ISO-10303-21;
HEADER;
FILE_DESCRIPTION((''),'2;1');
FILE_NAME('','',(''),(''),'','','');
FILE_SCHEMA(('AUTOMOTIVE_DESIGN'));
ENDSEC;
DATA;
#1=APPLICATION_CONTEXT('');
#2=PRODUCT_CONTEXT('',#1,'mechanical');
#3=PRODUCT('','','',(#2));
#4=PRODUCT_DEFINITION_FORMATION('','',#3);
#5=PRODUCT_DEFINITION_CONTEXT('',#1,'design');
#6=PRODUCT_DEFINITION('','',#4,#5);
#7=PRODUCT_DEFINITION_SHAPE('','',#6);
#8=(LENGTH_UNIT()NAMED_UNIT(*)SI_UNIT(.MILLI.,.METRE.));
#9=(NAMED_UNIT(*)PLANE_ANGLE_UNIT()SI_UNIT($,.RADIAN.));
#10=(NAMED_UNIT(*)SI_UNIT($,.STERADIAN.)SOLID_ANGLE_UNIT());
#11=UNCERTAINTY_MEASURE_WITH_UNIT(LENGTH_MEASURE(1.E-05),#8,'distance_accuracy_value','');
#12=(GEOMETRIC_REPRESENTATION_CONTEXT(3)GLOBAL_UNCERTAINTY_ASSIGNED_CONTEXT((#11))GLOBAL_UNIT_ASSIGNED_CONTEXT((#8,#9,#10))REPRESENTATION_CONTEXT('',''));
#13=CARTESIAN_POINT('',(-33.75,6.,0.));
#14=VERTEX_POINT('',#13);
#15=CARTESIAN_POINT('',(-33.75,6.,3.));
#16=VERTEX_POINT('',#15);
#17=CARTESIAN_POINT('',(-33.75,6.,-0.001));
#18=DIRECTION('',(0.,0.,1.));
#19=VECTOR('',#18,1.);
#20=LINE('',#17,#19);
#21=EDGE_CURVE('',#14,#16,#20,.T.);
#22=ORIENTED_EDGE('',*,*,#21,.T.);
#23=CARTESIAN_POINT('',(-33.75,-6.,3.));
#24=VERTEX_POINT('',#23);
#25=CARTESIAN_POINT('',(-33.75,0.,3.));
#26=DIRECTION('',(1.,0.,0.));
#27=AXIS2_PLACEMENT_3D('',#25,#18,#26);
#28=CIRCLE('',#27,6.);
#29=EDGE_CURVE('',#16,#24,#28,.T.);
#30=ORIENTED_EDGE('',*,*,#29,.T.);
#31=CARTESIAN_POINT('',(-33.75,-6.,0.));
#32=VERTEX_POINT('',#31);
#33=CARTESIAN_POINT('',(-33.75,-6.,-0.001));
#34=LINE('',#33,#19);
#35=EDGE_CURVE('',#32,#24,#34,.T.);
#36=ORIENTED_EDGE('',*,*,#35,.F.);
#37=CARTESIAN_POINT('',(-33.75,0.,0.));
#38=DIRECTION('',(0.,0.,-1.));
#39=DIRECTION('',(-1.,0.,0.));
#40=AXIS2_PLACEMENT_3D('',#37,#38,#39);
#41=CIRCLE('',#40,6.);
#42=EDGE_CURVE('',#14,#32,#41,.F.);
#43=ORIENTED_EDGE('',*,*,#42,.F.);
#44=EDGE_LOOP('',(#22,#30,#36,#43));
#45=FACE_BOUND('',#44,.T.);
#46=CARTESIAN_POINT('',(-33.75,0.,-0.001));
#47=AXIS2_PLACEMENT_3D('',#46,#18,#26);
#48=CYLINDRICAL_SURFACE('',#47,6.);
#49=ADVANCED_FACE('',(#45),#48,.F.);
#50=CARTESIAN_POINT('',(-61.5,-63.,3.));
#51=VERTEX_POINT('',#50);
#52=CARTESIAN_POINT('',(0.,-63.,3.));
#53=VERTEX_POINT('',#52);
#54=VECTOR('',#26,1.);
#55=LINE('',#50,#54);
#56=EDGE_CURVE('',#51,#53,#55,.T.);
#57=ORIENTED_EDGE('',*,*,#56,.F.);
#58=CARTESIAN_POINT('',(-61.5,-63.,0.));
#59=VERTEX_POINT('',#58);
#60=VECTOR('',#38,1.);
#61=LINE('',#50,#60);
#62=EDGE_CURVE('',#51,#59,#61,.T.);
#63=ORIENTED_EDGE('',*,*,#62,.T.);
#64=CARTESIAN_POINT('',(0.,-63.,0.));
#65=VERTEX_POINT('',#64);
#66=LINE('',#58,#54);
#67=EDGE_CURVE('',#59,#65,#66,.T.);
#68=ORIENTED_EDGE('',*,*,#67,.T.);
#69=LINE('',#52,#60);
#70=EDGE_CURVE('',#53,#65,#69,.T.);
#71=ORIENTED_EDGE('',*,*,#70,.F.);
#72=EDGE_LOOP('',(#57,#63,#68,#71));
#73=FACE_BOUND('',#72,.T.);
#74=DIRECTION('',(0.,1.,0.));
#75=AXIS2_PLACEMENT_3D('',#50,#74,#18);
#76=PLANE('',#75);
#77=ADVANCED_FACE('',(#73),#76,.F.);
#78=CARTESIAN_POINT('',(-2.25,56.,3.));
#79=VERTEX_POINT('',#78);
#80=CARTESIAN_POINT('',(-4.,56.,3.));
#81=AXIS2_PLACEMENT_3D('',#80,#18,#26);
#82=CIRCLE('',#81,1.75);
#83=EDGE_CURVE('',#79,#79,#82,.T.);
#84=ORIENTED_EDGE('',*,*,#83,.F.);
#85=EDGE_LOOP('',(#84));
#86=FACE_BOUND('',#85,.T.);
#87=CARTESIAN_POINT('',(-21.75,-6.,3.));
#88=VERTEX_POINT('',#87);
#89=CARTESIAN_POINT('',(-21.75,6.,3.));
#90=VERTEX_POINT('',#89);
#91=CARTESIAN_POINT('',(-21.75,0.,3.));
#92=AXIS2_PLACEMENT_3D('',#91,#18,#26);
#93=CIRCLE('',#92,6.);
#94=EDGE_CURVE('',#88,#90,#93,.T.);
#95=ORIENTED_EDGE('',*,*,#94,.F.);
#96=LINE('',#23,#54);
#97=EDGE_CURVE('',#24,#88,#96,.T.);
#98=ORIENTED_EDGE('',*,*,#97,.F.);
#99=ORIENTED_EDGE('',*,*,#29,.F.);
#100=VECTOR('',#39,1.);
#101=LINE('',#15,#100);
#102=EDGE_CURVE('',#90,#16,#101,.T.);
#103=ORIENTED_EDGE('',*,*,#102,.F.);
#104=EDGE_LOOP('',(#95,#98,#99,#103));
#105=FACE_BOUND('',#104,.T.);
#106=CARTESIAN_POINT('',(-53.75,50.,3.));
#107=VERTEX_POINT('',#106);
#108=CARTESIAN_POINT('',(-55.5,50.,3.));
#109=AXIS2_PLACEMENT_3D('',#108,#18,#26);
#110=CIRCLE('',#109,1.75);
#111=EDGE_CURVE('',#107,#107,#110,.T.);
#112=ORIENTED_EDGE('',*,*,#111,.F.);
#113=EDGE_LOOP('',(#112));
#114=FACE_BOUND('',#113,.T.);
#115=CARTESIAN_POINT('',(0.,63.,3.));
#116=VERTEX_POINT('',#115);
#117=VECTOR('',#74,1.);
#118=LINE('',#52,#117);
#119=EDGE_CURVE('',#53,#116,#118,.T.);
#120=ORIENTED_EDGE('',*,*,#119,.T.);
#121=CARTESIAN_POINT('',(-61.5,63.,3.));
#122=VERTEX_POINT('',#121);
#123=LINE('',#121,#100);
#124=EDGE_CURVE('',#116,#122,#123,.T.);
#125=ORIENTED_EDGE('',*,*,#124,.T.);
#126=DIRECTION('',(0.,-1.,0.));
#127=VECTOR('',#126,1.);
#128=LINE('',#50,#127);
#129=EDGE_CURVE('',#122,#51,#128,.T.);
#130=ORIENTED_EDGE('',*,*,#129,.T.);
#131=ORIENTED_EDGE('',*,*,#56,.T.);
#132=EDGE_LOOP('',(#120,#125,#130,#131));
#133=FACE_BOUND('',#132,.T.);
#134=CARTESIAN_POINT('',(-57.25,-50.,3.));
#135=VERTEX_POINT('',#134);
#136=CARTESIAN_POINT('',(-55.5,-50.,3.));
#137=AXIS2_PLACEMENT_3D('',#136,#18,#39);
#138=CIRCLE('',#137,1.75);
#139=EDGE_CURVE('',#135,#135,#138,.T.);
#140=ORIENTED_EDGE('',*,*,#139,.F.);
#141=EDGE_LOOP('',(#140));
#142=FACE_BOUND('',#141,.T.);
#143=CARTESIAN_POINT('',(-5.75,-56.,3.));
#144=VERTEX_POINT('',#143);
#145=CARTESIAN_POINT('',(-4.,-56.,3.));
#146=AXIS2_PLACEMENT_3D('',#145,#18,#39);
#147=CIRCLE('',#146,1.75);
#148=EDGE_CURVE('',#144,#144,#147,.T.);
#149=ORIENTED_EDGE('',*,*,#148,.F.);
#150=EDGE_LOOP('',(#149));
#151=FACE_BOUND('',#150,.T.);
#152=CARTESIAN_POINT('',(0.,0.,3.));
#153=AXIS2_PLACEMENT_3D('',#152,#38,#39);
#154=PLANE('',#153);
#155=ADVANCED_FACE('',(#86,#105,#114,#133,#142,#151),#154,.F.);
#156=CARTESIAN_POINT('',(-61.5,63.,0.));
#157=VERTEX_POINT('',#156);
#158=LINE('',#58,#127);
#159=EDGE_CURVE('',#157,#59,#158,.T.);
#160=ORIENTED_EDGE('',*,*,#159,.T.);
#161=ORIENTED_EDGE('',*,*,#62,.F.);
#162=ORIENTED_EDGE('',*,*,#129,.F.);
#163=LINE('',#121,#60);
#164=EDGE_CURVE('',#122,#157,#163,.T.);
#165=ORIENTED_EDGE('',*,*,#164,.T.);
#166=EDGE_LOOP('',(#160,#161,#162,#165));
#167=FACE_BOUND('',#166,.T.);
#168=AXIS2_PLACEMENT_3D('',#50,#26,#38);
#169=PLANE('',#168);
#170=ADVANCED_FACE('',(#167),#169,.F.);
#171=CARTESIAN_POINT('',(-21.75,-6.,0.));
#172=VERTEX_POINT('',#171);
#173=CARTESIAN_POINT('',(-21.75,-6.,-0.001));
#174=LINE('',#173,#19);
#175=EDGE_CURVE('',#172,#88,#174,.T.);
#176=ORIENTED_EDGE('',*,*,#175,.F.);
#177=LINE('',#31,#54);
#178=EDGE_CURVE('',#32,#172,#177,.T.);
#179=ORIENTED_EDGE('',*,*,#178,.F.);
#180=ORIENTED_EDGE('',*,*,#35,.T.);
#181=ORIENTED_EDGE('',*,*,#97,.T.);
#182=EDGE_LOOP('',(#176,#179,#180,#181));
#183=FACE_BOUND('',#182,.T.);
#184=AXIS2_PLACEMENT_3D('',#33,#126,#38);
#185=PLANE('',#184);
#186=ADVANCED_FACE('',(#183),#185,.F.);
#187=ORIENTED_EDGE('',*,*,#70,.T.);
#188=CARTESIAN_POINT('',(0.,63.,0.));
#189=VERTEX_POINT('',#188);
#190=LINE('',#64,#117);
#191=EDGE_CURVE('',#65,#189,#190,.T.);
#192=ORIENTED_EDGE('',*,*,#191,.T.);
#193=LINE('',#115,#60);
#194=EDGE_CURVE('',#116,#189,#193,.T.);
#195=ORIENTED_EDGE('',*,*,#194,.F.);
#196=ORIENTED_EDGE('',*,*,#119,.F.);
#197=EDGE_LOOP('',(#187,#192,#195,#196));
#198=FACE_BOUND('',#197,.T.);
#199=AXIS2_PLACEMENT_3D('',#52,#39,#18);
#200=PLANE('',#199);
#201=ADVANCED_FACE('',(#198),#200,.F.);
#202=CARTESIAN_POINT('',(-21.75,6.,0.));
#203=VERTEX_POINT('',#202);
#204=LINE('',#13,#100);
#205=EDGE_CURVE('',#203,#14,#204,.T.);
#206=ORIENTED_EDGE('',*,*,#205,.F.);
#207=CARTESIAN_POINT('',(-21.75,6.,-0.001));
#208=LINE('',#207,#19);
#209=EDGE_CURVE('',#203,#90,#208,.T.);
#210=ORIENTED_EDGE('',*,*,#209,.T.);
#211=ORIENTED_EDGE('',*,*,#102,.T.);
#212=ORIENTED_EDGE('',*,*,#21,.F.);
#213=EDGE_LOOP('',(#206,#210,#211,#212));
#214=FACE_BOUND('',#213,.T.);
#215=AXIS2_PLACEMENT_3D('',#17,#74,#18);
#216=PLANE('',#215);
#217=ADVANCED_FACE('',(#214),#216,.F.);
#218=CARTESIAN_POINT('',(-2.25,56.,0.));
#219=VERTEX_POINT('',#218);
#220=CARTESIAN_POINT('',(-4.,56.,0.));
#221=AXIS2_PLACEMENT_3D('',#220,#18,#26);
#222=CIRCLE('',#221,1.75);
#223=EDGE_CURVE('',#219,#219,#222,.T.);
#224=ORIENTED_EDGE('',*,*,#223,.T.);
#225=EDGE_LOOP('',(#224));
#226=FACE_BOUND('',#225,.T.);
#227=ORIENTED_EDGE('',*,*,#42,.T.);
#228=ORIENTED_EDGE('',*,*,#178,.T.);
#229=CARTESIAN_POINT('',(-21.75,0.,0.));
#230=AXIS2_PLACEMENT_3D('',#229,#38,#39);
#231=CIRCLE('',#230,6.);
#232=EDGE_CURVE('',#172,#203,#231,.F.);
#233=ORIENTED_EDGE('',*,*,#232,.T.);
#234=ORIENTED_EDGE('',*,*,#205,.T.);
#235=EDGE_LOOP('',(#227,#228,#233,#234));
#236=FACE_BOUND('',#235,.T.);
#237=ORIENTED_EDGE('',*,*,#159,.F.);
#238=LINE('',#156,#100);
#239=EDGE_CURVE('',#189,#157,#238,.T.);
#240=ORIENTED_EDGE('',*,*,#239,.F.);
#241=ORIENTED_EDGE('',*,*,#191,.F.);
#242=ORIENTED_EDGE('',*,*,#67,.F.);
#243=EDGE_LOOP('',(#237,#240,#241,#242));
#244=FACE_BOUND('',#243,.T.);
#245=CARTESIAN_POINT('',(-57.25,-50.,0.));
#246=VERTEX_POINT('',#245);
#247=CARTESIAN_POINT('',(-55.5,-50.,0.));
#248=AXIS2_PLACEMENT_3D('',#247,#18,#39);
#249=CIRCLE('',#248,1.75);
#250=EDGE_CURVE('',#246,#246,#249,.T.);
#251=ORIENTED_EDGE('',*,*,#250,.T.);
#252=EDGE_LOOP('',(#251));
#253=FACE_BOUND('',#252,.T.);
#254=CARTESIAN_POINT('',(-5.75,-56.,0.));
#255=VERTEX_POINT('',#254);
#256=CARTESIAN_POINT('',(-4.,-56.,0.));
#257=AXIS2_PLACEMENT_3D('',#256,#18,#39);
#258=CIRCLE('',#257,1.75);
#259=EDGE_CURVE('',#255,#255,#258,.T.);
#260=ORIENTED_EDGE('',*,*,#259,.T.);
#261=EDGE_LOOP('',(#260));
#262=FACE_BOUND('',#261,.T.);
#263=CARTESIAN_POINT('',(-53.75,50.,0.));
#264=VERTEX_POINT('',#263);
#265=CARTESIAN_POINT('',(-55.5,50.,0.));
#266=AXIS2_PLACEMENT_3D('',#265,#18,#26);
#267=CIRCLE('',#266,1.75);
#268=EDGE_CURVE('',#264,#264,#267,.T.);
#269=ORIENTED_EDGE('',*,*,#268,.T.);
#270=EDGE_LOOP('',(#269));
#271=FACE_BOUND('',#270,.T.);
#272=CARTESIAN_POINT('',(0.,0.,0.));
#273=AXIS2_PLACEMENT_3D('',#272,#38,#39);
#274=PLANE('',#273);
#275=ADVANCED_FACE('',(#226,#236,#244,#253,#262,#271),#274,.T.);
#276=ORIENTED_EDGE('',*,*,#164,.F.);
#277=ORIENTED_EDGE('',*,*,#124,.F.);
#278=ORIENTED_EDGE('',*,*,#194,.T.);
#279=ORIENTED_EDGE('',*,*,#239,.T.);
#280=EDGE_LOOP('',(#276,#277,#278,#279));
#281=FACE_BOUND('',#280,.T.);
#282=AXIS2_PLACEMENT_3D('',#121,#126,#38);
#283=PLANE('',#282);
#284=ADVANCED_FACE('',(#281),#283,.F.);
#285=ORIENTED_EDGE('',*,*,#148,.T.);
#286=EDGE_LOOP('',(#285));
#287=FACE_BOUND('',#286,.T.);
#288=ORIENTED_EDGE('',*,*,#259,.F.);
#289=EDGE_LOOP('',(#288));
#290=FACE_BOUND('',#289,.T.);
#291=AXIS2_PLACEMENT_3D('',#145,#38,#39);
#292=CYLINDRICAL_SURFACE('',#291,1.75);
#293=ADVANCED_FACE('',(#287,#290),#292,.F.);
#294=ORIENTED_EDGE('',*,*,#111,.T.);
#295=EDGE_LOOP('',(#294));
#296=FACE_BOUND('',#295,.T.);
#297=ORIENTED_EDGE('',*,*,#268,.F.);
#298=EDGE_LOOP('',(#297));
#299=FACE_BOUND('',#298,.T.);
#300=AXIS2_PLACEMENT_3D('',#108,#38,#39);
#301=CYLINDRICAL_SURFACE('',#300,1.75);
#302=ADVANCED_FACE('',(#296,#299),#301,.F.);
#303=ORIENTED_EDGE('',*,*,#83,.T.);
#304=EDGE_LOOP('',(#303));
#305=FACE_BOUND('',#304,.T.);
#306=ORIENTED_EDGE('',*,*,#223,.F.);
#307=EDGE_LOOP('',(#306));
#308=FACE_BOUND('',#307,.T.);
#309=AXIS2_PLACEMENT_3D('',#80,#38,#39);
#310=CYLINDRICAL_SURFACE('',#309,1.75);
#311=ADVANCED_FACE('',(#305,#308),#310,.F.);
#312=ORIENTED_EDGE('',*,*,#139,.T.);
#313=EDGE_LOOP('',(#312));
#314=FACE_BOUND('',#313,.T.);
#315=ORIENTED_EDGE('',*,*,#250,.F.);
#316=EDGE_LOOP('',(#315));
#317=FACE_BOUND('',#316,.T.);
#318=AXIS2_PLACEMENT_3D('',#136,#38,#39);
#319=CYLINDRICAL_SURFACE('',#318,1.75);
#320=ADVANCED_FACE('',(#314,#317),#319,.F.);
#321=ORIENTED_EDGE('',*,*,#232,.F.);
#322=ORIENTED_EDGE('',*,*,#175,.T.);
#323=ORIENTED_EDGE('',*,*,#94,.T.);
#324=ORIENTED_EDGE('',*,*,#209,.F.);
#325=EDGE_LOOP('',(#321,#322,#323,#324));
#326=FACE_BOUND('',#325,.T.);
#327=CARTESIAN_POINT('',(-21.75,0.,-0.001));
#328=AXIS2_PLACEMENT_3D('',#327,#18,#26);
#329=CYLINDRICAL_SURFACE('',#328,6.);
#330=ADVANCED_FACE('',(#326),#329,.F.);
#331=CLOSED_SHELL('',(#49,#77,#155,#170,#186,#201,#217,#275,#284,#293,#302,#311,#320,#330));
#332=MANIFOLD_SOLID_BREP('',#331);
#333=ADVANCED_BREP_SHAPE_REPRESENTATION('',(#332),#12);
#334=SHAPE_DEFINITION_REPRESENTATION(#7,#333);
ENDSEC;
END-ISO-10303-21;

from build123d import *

# Parameters (mm, degrees)
SKETCH1_W           = 61.5
SKETCH1_H           = 126
SKETCH1_R           = 1.75
BOSS_EXTRUDE1_DEPTH = 3
CUT_EXTRUDE1_REACH  = 90.092


with BuildPart() as part:
    # Sketch1 → Boss-Extrude1 (new body)
    with BuildSketch(Plane.XY):
        with Locations((-30.75, 0)):
            Rectangle(SKETCH1_W, SKETCH1_H)
        with Locations((-4, 56)):
            Circle(SKETCH1_R, mode=Mode.SUBTRACT)
        with Locations((-55.5, 50)):
            Circle(SKETCH1_R, mode=Mode.SUBTRACT)
        with Locations(Location((-4, -56, 0), (0, 0, 180))):
            Circle(SKETCH1_R, mode=Mode.SUBTRACT)
        with Locations(Location((-55.5, -50, 0), (0, 0, 180))):
            Circle(SKETCH1_R, mode=Mode.SUBTRACT)
    extrude(amount=BOSS_EXTRUDE1_DEPTH)

    # Sketch2 → Cut-Extrude1 (cut, up to next)
    with BuildSketch(Plane.XY.offset(3), mode=Mode.PRIVATE) as cut_extrude1_sk1:
        with BuildLine():
            Line((-33.75, 6), (-21.75, 6))
            ThreePointArc((-21.75, 6), (-15.75, 0), (-21.75, -6))
            Line((-21.75, -6), (-33.75, -6))
            ThreePointArc((-33.75, -6), (-39.75, 0), (-33.75, 6))
        make_face()
    cut_extrude1_tool1 = extrude(cut_extrude1_sk1.sketch, amount=-CUT_EXTRUDE1_REACH, mode=Mode.PRIVATE) & part.part
    add(cut_extrude1_tool1.solids().sort_by_distance((-27.75, 0, 3))[0], mode=Mode.SUBTRACT)


solid = part.part
